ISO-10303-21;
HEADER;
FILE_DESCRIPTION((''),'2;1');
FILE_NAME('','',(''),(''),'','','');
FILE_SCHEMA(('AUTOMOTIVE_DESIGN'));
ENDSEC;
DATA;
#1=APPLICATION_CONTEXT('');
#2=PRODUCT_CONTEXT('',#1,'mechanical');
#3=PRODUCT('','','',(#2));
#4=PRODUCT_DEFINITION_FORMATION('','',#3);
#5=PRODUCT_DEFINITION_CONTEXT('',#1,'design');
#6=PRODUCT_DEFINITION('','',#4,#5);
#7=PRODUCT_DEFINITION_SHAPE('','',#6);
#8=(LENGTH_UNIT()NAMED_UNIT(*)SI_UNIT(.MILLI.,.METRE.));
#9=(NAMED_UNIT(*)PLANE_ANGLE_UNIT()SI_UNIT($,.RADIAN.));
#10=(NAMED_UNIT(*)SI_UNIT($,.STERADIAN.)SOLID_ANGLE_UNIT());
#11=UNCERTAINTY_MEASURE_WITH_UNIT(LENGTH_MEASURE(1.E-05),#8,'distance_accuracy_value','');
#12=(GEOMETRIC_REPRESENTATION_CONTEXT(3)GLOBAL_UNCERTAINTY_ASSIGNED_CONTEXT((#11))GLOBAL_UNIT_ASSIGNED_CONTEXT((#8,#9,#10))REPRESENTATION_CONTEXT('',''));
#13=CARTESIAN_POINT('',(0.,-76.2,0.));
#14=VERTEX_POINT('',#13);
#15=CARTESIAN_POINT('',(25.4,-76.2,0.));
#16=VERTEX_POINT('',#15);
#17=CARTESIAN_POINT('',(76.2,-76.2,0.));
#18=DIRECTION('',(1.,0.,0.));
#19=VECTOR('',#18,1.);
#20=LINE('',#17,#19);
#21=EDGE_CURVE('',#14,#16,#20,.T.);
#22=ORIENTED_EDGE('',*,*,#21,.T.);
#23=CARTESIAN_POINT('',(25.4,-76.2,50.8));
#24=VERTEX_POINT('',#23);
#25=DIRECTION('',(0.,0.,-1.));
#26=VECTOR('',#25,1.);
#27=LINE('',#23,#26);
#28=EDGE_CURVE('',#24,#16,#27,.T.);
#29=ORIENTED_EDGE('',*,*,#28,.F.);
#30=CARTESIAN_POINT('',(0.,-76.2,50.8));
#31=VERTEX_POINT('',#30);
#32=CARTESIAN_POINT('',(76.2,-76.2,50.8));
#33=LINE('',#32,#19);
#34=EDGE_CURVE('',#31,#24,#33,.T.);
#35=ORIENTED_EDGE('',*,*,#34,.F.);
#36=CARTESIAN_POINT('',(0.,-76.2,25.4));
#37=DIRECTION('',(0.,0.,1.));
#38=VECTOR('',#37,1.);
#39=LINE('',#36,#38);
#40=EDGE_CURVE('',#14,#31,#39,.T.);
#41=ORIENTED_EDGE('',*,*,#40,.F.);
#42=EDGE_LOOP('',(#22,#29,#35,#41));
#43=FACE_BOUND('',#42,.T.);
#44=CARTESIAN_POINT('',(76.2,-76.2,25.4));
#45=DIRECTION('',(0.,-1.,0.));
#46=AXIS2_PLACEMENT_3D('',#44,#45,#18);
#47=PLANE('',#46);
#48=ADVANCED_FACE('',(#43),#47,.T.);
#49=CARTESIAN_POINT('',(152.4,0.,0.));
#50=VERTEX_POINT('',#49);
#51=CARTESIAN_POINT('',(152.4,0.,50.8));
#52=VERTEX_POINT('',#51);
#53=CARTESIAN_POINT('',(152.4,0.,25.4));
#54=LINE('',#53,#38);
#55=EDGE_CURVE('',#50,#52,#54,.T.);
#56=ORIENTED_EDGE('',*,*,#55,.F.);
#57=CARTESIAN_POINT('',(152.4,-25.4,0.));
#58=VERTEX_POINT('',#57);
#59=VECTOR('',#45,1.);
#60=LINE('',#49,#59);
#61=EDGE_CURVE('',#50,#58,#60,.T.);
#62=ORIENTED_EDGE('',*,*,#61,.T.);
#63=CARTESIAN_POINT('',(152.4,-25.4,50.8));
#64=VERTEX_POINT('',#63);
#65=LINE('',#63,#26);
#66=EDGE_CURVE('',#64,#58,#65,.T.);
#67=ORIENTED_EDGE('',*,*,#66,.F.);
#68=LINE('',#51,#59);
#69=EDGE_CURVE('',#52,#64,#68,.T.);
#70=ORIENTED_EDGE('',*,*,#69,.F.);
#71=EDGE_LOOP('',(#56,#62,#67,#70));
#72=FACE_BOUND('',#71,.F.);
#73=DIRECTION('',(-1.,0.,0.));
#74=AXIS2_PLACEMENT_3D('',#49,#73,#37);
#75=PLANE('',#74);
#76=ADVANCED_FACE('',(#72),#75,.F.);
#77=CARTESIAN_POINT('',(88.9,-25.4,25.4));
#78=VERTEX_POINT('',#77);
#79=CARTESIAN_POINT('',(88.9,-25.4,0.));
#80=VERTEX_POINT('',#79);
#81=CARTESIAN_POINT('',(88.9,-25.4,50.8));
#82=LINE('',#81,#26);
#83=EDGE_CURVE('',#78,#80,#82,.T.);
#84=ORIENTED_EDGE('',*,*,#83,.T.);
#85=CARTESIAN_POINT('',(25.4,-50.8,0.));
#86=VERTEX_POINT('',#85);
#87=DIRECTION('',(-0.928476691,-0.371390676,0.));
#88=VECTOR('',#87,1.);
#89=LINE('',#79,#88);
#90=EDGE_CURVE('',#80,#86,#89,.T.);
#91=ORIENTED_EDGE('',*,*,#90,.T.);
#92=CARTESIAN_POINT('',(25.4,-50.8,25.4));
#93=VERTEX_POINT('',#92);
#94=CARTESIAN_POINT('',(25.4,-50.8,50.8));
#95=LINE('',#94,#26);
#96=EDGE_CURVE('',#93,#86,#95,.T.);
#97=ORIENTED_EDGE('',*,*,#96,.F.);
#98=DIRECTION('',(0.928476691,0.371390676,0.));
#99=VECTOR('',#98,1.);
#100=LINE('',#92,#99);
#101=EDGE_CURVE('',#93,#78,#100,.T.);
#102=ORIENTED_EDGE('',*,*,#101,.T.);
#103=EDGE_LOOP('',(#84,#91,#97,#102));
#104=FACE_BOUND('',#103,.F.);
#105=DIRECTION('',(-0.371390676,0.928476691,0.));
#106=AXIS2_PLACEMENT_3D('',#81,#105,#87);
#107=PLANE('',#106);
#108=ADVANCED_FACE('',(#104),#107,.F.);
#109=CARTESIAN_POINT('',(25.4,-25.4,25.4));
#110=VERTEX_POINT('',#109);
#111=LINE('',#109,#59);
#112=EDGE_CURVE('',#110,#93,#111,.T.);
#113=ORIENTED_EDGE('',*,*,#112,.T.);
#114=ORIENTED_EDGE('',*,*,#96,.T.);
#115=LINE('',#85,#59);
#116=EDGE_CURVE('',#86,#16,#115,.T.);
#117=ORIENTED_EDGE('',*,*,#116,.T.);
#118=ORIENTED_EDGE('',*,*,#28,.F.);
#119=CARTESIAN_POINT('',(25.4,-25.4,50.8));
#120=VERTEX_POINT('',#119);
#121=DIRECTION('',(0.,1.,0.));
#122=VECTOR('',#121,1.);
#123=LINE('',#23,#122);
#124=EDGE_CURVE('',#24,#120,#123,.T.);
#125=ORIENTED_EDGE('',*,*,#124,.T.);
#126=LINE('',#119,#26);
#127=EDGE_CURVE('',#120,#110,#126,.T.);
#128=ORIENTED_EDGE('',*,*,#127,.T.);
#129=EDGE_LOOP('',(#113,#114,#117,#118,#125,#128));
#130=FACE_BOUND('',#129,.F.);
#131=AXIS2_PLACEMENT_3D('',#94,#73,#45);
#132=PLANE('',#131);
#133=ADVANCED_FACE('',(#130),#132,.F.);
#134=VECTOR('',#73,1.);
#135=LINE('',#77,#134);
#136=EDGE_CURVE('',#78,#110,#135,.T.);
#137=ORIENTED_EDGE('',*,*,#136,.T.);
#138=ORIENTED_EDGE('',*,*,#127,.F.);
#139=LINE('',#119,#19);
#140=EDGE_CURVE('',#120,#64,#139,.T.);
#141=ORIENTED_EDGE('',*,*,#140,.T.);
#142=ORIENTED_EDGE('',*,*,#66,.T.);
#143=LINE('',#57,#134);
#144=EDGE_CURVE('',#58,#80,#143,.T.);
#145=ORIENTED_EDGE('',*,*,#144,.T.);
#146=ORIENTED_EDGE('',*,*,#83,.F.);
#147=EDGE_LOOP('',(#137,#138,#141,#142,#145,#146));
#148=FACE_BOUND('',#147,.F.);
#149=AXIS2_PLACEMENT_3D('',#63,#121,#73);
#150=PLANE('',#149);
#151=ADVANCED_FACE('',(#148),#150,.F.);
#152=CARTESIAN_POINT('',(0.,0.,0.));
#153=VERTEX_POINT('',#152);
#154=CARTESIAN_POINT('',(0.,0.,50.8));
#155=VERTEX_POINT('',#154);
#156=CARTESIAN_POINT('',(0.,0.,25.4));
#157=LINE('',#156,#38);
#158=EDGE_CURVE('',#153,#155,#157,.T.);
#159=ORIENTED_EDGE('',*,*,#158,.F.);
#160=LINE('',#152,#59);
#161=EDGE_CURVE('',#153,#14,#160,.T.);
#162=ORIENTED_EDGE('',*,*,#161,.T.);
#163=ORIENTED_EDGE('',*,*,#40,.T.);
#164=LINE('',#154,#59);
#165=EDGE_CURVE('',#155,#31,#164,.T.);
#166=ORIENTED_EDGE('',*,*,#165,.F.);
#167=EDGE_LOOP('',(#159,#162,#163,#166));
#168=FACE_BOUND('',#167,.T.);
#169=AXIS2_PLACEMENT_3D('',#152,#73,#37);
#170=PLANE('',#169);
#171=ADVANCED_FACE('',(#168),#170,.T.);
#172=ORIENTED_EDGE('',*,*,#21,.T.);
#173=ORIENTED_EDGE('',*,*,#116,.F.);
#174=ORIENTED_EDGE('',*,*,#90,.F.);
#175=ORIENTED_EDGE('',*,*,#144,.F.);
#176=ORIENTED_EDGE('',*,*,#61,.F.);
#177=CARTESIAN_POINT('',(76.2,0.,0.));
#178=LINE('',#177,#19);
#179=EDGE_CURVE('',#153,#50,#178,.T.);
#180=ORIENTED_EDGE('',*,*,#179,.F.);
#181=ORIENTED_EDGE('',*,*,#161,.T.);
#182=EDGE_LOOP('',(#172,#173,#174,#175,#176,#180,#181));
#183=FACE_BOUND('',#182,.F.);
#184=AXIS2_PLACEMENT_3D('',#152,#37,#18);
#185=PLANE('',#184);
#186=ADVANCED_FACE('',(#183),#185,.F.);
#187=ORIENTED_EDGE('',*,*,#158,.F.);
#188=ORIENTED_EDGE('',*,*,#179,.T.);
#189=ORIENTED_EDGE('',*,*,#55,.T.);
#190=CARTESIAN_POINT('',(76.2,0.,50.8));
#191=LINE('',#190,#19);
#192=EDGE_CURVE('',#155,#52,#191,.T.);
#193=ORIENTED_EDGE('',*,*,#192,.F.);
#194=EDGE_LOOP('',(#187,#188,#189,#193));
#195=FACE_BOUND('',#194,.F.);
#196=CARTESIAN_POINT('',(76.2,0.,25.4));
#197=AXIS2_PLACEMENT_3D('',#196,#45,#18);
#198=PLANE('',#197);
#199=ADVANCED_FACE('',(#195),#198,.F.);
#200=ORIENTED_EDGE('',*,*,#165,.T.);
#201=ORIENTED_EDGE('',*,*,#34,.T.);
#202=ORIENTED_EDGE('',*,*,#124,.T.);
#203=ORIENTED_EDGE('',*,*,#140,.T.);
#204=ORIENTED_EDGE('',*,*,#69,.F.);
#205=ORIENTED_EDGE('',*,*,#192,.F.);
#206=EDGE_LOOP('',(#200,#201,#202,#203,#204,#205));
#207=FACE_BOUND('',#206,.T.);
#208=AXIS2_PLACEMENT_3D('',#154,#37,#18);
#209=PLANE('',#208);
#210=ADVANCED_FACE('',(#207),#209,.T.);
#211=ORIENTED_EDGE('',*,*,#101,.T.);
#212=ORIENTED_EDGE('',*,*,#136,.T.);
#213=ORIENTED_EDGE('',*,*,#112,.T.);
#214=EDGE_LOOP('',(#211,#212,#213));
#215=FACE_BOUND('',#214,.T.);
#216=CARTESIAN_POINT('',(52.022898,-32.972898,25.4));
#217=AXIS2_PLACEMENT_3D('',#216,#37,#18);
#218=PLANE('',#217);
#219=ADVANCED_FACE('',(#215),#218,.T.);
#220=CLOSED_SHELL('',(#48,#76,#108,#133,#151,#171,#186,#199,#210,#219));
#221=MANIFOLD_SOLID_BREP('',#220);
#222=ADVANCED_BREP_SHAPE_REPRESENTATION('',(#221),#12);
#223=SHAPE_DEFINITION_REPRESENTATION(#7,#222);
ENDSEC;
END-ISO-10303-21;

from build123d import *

# Parameters (mm, degrees)
F0_W     = 152.4
F0_H     = 50.8
F1_DEPTH = 76.2
F3_DEPTH = 50.8
F4_DEPTH = 25.4


with BuildPart() as f1:
    # F0 (on Front) → F1 (new body)
    with BuildSketch(Plane.XZ):
        with Locations((76.2, 25.4)):
            Rectangle(F0_W, F0_H)
    extrude(amount=F1_DEPTH)

    # F2 (on face) → F3 (cut)
    with BuildSketch(Plane.XY.offset(50.8)):
        Polygon((25.4, -50.8), (25.4, -76.2), (152.4, -76.2), (152.4, -25.4), (88.9, -25.4), align=None)
    extrude(amount=-F3_DEPTH, mode=Mode.SUBTRACT)

    # F2 (on face) → F4 (cut)
    with BuildSketch(Plane.XY.offset(50.8)):
        Polygon((25.4, -25.4), (25.4, -50.8), (88.9, -25.4), align=None)
    extrude(amount=-F4_DEPTH, mode=Mode.SUBTRACT)


solid = f1.part
